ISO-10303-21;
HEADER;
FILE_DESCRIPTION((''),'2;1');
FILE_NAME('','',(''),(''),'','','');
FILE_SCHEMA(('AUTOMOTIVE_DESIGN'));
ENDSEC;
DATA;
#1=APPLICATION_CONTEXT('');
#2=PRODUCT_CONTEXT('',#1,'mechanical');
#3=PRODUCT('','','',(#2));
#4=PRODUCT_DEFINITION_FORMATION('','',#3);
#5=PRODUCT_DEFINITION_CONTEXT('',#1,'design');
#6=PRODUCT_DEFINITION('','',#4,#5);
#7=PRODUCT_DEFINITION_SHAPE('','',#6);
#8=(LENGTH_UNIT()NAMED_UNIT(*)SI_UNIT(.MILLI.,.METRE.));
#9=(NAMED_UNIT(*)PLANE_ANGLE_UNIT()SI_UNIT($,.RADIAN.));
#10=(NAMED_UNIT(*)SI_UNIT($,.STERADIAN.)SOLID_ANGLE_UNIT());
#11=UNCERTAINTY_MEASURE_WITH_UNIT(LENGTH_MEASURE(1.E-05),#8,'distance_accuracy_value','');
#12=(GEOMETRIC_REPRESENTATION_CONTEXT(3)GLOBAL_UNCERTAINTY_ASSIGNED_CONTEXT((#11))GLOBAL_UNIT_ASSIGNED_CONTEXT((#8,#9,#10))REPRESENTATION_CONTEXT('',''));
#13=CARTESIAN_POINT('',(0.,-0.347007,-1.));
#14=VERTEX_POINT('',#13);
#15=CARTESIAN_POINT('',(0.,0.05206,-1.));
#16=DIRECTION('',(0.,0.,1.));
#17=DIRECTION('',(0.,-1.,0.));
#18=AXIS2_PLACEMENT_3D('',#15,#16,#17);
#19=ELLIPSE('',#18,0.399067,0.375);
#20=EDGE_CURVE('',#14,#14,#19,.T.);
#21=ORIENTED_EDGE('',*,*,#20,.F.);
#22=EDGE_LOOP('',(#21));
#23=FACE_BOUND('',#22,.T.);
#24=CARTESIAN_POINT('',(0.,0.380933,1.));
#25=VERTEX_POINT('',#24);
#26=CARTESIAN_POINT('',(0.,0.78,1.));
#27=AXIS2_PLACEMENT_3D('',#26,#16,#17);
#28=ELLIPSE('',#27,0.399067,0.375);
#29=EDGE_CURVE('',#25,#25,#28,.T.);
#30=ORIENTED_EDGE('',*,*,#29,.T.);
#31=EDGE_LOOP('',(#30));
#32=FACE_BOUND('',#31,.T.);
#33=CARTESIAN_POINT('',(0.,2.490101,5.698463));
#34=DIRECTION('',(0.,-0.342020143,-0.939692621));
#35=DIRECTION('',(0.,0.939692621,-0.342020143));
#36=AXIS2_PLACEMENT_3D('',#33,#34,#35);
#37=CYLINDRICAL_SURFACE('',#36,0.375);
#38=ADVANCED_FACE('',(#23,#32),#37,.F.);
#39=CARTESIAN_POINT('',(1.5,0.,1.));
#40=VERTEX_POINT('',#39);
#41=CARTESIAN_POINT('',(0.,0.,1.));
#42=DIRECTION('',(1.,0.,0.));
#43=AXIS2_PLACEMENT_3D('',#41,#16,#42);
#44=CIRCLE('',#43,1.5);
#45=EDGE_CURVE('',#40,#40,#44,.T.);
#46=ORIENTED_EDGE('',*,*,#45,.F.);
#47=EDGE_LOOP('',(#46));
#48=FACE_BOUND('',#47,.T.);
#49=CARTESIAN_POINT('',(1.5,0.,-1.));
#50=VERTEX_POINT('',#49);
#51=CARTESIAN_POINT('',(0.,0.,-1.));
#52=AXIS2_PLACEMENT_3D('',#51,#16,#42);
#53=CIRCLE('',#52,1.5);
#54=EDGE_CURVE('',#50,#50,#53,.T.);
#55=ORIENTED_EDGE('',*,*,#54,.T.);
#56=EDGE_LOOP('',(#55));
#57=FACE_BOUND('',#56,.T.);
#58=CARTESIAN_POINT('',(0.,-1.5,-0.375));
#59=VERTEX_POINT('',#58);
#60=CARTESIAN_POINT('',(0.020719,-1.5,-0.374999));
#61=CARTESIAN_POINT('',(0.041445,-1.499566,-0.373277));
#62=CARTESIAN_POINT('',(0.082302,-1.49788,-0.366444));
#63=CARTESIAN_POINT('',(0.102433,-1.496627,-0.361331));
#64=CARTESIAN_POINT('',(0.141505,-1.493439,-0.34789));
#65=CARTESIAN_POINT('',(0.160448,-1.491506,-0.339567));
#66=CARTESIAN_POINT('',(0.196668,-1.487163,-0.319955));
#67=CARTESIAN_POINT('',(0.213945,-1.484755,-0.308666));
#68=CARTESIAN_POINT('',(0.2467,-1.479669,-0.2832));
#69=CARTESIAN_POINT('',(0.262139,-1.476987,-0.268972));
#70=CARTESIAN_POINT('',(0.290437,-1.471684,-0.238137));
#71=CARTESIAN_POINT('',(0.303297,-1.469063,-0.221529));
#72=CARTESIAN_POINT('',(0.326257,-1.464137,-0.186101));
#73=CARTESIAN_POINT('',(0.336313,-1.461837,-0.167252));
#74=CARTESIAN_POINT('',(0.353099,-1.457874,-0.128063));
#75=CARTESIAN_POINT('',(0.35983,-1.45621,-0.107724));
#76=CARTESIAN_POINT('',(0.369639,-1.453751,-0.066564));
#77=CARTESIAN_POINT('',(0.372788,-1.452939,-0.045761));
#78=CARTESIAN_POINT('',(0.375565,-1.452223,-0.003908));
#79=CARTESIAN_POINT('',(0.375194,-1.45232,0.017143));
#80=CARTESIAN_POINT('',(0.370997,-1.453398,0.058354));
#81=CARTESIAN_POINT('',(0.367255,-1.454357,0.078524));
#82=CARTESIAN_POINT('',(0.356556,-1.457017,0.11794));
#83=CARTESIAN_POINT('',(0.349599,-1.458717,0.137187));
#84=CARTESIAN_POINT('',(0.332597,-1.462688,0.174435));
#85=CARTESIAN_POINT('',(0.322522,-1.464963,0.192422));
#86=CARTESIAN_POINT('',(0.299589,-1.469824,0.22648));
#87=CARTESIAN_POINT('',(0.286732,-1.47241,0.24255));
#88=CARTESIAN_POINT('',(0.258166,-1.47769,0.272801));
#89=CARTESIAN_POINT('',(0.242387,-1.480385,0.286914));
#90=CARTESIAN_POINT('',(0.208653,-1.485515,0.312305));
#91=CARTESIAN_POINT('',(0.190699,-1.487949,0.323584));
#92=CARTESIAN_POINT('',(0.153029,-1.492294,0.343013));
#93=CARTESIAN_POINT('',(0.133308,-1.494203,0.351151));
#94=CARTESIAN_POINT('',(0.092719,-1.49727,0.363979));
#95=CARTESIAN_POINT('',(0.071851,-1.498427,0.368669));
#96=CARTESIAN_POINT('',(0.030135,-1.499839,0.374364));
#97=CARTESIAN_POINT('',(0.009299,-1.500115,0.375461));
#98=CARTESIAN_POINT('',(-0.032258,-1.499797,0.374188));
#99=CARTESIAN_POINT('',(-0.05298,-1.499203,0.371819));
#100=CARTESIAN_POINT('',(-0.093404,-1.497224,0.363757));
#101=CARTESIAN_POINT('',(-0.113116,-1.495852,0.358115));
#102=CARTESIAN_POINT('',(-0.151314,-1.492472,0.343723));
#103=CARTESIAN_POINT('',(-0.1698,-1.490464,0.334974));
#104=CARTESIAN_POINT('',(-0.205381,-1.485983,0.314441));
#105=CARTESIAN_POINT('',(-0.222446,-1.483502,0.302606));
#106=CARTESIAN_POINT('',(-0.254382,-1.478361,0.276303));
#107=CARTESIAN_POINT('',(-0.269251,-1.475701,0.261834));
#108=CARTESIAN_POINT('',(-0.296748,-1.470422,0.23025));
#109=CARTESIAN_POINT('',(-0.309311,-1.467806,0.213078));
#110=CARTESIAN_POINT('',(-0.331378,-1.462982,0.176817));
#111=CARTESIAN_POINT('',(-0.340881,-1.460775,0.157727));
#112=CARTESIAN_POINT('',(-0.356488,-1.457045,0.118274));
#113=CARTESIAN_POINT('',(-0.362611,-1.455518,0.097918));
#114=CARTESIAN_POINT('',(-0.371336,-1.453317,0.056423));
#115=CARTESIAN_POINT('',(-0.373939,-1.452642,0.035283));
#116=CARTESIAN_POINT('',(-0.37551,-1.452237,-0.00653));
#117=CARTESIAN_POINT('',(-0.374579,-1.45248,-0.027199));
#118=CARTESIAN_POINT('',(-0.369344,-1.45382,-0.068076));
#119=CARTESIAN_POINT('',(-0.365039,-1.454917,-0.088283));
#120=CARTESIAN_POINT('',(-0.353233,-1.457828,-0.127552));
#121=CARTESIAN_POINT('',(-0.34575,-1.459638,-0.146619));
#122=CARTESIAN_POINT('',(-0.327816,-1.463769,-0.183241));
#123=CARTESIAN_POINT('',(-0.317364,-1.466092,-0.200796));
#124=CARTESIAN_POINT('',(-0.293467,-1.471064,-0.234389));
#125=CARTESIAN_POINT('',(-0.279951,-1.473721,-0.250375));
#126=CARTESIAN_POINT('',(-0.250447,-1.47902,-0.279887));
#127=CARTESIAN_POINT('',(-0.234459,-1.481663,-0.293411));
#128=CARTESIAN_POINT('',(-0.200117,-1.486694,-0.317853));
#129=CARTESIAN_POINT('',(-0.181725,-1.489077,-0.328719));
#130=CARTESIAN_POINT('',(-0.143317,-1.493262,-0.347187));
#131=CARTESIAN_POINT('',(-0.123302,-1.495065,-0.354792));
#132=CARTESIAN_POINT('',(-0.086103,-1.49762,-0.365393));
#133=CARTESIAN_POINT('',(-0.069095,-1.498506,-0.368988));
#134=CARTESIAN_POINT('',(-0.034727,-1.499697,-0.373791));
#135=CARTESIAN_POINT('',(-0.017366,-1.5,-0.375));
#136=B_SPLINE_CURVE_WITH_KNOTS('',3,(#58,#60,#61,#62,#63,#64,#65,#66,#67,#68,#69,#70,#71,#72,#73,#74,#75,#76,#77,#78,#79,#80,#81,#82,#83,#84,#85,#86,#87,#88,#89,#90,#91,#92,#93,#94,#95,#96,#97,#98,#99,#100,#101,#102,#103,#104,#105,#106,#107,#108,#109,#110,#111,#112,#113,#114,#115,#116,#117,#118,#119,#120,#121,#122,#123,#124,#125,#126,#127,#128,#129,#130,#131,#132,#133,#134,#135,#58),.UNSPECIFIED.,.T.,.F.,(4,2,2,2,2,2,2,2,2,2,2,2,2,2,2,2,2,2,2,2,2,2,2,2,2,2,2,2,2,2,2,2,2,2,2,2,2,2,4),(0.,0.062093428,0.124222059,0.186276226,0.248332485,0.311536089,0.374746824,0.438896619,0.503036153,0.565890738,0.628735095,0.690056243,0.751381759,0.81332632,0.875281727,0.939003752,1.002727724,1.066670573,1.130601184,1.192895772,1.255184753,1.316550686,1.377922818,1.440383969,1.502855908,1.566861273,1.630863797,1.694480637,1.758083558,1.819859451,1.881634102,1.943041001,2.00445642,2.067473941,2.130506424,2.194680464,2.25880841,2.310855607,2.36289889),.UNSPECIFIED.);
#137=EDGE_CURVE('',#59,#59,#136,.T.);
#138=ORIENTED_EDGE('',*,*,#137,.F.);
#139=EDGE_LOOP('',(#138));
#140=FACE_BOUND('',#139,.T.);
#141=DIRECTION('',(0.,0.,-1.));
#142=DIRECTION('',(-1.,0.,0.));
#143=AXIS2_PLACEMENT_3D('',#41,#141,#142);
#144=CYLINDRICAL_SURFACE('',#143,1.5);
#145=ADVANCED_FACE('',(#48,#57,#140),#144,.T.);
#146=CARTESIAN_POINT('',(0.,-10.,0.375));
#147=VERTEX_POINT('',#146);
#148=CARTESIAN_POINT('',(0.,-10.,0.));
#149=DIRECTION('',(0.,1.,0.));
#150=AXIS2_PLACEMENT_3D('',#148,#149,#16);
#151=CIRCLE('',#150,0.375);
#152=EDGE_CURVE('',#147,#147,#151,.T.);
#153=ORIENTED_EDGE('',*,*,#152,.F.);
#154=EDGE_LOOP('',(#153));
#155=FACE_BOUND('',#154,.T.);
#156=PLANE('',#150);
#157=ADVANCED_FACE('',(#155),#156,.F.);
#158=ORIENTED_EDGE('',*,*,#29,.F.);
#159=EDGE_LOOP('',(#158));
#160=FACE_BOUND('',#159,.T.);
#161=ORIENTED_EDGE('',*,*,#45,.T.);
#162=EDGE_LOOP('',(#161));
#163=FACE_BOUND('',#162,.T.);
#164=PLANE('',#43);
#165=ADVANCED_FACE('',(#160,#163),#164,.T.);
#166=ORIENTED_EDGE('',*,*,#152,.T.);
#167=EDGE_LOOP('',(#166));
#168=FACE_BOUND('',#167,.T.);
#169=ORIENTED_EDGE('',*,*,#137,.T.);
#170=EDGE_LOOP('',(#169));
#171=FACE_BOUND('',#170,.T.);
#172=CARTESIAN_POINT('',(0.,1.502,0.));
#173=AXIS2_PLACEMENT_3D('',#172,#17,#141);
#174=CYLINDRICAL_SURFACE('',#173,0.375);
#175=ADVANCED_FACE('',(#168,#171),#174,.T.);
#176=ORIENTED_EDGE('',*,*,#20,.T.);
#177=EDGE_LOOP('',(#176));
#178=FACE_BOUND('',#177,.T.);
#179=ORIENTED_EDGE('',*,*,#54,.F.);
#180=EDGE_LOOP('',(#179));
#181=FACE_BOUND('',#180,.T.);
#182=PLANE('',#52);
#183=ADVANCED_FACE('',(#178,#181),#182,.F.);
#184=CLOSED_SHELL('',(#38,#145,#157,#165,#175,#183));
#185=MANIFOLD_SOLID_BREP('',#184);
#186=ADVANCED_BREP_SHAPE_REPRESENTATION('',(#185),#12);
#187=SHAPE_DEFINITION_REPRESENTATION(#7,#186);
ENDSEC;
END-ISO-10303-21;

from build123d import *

# Parameters (mm, degrees)
SKETCH1_R                = 1.5
BOSS_EXTRUDE1_DEPTH      = 1
BOSS_EXTRUDE2_REACH      = 13.64
BOSS_EXTRUDE2_END_RADIUS = 1.5
SKETCH6_R                = 0.375
SKETCH7_R                = 0.375
CUT_EXTRUDE1_DEPTH       = 5


with BuildPart() as part:
    # Sketch1 → Boss-Extrude1 (new, symmetric)
    with BuildSketch(Plane.XY):
        Circle(SKETCH1_R)
    extrude(amount=BOSS_EXTRUDE1_DEPTH, both=True)

    # Boss-Extrude2: up to this cylinder (the profile starts outside it)
    boss_extrude2_end = Plane(origin=(0, 0, 0), z_dir=(0, 0, -1)) * Cylinder(BOSS_EXTRUDE2_END_RADIUS, 31.28, mode=Mode.PRIVATE)
    # Sketch6 → Boss-Extrude2 (add, up to the surface)
    with BuildSketch(Plane(origin=(0, -10, 0), x_dir=(1, 0, 0), z_dir=(0, 1, 0)), mode=Mode.PRIVATE) as boss_extrude2_sk1:
        with Locations(Location((0, 0, 0), (0, 0, 90))):
            Circle(SKETCH6_R)
    boss_extrude2_tool1 = extrude(boss_extrude2_sk1.sketch, amount=BOSS_EXTRUDE2_REACH, mode=Mode.PRIVATE) - boss_extrude2_end
    add(boss_extrude2_tool1.solids().sort_by_distance((0, -10, 0))[0])

    # Sketch7 → Cut-Extrude1 (cut, symmetric)
    with BuildSketch(Plane(origin=(0, 0.78, 1), x_dir=(-1, 0, 0), z_dir=(0, -0.34202014332566943, -0.9396926207859082))):
        with Locations(Location((0, 0, 0), (0, 0, 270))):
            Circle(SKETCH7_R)
    extrude(amount=CUT_EXTRUDE1_DEPTH, both=True, mode=Mode.SUBTRACT)


solid = part.part
